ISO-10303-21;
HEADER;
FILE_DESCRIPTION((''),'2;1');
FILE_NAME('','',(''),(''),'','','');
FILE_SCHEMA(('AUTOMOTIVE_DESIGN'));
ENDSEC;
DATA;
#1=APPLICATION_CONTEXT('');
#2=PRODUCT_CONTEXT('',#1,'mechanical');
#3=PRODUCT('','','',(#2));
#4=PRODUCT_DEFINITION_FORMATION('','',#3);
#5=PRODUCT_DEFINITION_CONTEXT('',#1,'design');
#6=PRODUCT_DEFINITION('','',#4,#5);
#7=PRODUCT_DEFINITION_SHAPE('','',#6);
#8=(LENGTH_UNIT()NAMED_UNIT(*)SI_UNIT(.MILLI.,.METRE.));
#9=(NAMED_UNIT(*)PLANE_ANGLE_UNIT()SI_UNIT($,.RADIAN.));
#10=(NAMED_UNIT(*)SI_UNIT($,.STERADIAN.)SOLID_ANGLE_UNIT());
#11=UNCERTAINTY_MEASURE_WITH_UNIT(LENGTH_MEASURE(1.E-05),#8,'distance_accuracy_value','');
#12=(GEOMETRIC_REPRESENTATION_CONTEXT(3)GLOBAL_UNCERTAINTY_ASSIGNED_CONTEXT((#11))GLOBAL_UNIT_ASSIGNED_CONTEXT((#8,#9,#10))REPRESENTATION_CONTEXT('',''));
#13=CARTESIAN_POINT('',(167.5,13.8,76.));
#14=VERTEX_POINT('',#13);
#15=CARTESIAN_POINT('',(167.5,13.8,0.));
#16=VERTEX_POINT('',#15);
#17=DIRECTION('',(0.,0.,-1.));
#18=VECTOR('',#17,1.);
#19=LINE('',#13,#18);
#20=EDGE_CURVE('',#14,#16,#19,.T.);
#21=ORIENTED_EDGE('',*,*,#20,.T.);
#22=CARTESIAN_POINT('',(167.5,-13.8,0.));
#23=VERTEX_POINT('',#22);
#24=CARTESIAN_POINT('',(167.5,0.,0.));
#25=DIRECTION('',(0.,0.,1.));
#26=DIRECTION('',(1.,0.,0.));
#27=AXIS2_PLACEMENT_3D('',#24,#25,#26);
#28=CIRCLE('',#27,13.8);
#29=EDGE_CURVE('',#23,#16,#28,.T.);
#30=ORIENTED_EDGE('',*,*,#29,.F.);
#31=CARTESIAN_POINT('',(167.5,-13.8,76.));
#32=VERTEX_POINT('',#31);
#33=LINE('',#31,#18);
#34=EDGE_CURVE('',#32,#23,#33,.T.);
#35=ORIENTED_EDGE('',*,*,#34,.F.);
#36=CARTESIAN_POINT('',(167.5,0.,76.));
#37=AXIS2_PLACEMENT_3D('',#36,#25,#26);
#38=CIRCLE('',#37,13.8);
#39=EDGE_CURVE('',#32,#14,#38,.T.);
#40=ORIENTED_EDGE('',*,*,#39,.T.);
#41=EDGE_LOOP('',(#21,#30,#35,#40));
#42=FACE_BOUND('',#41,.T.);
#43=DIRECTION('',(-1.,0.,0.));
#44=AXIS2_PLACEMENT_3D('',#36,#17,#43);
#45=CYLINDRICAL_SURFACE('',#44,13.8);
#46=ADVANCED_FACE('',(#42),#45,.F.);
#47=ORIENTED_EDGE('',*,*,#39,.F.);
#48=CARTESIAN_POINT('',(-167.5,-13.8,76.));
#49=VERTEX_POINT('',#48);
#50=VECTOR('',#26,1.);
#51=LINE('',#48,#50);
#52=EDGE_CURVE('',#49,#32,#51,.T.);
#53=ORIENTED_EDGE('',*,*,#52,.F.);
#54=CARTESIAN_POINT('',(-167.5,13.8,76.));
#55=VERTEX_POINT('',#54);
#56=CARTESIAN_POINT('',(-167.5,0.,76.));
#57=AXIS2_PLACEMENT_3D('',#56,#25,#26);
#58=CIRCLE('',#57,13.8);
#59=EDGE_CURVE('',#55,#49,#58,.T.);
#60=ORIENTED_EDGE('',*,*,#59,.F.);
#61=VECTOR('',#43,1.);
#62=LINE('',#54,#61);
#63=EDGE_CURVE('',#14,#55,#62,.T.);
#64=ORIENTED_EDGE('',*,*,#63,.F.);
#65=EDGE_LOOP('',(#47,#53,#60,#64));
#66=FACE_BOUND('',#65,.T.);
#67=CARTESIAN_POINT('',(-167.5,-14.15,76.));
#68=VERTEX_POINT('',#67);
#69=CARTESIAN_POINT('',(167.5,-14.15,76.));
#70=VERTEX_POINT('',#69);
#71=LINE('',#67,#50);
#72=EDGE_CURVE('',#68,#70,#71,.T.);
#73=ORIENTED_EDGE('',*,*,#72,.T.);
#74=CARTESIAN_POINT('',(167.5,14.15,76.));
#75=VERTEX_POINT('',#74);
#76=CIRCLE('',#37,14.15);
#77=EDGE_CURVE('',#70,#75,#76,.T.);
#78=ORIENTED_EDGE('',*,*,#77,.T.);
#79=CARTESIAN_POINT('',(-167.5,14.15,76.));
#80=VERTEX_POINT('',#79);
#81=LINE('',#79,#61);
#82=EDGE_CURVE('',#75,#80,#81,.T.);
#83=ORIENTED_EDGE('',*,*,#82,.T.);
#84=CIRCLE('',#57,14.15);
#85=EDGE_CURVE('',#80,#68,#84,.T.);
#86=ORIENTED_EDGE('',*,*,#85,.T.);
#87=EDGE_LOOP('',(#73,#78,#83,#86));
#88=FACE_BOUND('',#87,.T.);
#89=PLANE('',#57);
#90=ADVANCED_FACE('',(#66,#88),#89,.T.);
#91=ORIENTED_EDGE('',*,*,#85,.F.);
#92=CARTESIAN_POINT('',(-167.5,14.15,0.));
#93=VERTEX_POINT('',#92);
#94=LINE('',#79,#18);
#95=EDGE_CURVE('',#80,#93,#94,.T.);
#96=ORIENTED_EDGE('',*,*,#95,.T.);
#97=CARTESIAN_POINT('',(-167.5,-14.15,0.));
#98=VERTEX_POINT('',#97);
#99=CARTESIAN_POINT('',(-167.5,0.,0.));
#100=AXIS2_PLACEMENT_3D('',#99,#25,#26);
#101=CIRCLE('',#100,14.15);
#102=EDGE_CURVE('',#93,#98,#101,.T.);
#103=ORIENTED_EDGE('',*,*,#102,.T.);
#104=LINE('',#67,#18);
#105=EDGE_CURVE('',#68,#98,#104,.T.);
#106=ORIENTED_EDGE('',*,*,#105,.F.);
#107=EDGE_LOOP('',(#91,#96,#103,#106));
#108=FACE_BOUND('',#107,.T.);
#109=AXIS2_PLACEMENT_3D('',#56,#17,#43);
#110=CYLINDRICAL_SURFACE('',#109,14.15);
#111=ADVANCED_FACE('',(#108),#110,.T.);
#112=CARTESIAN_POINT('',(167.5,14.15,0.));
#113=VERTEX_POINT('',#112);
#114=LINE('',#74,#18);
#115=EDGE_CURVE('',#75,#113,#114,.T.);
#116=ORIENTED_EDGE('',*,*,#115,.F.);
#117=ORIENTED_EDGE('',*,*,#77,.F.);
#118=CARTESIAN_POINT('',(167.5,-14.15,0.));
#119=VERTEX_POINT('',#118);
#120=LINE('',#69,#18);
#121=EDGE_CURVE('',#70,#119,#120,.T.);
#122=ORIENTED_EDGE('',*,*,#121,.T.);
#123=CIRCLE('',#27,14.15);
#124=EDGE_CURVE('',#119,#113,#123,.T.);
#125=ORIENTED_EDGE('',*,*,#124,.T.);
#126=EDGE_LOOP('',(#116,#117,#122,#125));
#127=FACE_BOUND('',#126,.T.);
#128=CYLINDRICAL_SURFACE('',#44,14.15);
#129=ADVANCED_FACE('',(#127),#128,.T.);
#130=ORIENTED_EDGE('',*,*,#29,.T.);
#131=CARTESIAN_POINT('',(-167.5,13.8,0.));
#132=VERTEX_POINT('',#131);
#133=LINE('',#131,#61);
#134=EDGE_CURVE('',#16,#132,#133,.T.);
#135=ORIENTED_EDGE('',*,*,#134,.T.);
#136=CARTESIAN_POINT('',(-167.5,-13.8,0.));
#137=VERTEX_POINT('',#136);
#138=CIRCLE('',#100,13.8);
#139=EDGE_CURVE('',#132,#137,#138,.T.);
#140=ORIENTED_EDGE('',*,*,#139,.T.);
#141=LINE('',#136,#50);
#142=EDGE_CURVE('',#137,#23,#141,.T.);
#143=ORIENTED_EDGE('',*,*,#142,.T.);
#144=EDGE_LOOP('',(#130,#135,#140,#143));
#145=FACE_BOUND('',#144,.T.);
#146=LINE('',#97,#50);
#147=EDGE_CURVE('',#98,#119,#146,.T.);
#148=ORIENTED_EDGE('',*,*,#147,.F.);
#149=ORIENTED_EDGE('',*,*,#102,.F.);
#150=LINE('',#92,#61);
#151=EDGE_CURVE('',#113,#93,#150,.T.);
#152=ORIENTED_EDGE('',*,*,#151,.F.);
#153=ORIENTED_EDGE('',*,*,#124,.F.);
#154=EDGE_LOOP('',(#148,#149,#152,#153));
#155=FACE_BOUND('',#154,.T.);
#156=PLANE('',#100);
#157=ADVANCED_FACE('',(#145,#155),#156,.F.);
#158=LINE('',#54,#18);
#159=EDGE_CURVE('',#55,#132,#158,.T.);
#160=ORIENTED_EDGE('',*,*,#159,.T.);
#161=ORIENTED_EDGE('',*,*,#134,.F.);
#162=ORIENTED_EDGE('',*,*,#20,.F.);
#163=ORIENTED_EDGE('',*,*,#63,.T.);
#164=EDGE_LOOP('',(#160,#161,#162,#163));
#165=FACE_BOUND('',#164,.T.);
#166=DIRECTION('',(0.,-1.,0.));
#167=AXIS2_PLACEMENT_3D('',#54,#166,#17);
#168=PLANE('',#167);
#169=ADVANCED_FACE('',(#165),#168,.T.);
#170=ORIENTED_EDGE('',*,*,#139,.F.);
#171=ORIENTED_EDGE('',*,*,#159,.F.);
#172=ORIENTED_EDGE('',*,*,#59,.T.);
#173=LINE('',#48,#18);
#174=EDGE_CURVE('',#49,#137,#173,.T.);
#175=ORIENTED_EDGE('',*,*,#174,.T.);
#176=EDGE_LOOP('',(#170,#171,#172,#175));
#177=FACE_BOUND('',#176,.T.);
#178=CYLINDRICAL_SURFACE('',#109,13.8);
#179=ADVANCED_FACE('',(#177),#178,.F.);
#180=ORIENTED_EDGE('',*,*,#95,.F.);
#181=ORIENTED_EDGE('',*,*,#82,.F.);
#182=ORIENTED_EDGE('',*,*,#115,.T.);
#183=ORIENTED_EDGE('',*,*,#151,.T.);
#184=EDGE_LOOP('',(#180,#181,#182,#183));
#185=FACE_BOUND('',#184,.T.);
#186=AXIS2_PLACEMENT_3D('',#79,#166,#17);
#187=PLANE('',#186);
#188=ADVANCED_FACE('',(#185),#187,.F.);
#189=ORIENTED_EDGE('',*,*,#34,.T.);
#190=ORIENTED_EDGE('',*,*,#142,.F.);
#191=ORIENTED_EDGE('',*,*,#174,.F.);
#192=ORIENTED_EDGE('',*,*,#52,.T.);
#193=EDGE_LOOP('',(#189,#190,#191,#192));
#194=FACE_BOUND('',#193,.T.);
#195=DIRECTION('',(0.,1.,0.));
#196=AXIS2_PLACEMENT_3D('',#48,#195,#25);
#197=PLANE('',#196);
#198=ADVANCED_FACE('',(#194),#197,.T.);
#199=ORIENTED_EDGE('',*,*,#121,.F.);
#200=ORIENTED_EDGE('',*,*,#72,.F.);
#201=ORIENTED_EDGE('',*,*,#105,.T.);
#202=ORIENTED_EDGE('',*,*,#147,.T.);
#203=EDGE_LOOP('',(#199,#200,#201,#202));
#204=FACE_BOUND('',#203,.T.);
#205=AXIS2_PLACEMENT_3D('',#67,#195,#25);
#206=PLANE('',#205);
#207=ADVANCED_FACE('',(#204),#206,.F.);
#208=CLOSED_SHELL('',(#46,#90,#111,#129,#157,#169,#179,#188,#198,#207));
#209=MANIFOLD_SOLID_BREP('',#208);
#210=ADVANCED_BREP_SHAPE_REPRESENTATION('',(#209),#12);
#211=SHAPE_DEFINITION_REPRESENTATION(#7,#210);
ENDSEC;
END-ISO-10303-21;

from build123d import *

# Parameters (mm, degrees)
RESSALTO_EXTRUS_O1_DEPTH = 76


with BuildPart() as part:
    # Esboço1 → Ressalto-extrusão1 (new body)
    with BuildSketch(Plane.XY):
        with BuildLine():
            Line((-167.5, 14.15), (167.5, 14.15))
            ThreePointArc((167.5, 14.15), (181.65, 0), (167.5, -14.15))
            Line((167.5, -14.15), (-167.5, -14.15))
            ThreePointArc((-167.5, -14.15), (-181.65, 0), (-167.5, 14.15))
        make_face()
        with BuildLine():
            Line((-167.5, 13.8), (167.5, 13.8))
            ThreePointArc((167.5, 13.8), (181.3, 0), (167.5, -13.8))
            Line((167.5, -13.8), (-167.5, -13.8))
            ThreePointArc((-167.5, -13.8), (-181.3, 0), (-167.5, 13.8))
        make_face(mode=Mode.SUBTRACT)
    extrude(amount=RESSALTO_EXTRUS_O1_DEPTH)


solid = part.part
